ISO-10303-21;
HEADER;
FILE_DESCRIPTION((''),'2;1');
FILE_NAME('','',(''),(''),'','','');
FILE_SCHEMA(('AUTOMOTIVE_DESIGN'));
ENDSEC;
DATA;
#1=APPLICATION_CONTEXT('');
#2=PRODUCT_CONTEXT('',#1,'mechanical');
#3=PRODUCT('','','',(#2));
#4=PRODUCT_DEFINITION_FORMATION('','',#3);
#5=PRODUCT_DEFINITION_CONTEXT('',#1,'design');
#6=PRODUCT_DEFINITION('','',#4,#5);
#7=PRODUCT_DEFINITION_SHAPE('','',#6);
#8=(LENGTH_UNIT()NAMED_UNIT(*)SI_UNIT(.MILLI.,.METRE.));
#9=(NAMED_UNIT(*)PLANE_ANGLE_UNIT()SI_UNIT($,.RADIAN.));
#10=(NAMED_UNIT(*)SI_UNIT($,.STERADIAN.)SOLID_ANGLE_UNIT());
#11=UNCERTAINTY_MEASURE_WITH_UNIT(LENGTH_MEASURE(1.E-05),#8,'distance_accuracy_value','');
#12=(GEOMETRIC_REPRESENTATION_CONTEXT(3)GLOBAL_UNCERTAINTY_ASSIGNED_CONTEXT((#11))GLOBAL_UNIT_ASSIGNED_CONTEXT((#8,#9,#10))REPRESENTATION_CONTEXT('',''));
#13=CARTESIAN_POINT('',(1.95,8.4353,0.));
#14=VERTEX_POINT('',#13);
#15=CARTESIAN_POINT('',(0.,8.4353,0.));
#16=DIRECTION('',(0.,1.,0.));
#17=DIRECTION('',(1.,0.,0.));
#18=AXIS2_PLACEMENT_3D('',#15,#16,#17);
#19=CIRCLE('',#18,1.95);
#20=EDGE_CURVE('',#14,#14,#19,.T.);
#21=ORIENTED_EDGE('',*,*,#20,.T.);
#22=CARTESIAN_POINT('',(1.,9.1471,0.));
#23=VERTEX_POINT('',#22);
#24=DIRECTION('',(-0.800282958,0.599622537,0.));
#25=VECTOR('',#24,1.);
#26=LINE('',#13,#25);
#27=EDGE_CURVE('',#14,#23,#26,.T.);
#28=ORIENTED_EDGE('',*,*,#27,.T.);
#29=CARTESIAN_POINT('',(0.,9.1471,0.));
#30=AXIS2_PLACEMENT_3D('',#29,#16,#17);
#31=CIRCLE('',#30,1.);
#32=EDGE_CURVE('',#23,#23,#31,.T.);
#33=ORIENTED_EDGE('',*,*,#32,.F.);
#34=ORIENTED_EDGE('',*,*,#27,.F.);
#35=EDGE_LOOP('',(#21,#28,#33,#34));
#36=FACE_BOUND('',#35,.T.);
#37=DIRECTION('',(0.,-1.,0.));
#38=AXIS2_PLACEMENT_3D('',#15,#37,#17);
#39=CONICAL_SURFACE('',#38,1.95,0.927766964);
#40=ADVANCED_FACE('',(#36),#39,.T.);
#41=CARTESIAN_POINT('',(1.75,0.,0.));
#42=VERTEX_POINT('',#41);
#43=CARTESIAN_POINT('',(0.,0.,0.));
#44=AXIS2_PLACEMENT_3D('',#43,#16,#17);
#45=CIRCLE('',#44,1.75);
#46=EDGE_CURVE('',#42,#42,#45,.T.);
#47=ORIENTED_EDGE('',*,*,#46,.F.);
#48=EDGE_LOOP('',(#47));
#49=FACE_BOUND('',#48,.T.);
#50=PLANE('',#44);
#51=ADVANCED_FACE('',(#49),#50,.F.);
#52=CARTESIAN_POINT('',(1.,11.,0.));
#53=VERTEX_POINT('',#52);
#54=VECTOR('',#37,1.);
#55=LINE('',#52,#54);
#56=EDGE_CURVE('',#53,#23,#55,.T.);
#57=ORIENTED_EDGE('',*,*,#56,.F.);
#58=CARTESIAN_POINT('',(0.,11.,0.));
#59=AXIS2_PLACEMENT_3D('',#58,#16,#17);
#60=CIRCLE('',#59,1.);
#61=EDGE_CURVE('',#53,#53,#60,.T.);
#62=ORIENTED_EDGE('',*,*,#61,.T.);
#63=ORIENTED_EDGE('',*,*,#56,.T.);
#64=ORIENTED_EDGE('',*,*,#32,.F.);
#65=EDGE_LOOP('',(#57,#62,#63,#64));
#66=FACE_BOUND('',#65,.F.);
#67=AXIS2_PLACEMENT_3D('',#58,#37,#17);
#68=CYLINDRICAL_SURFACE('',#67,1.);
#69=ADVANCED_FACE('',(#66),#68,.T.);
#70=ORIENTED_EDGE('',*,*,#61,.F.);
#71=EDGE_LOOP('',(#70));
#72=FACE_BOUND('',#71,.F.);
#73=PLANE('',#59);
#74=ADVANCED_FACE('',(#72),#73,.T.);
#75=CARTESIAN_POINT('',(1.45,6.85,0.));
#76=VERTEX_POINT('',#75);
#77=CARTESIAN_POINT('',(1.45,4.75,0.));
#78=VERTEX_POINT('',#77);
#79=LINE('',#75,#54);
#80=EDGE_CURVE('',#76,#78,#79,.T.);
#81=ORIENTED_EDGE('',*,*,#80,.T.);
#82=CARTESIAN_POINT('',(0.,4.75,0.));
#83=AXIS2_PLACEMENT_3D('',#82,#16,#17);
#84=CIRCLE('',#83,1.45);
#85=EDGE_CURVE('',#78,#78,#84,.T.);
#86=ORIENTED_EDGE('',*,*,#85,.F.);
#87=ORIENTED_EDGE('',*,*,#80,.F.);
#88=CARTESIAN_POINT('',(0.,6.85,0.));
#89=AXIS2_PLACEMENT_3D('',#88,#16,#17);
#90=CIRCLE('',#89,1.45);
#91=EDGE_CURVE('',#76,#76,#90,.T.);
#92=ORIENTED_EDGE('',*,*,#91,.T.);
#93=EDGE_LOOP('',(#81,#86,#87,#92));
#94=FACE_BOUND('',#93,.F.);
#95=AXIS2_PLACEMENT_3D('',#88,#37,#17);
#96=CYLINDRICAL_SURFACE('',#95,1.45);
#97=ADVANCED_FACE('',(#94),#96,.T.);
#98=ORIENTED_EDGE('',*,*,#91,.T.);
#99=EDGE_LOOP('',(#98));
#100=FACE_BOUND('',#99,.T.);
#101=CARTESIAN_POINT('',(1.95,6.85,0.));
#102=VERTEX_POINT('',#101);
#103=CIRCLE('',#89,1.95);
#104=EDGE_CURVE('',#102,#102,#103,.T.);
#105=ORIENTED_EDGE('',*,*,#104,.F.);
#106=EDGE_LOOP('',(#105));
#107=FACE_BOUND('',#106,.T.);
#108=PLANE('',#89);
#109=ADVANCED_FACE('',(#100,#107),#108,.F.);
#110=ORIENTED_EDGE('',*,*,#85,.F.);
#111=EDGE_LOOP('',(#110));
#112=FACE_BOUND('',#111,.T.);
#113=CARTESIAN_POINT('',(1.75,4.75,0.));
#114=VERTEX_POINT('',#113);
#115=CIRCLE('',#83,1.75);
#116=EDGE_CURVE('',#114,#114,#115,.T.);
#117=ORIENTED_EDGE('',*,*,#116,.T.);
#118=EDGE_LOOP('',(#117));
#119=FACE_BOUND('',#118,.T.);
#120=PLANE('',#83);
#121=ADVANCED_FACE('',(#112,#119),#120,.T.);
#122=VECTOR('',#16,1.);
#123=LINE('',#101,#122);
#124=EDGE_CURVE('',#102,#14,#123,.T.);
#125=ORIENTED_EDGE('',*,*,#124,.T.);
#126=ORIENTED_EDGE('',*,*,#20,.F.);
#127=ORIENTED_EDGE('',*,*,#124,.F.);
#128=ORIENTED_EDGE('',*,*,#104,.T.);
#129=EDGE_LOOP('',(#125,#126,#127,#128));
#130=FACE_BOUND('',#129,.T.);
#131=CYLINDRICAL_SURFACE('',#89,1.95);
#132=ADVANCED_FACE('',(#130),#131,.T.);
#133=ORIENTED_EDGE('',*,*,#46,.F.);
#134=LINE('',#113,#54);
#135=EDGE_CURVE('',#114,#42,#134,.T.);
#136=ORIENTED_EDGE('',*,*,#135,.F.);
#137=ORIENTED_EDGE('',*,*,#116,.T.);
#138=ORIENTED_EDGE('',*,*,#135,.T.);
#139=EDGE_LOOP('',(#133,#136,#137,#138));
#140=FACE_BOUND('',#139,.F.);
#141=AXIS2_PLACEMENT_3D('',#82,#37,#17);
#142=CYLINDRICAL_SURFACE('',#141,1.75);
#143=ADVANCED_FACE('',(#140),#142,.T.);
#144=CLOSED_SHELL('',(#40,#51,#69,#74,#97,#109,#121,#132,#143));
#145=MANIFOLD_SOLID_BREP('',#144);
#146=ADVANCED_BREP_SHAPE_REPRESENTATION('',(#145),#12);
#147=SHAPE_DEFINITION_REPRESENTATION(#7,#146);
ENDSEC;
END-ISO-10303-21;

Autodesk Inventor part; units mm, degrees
ref_plane "YZ Plane" through (0, 0, 0) normal (1, 0, 0) x (0, 1, 0)
ref_plane "XZ Plane" through (0, 0, 0) normal (0, 1, 0) x (-1, 0, 0)
ref_plane "XY Plane" through (0, 0, 0) normal (0, 0, 1) x (1, 0, 0)
sketch "Esboço1" plane through (0, 0, 0) normal (0, 0, 1) x (1, 0, 0)
  line L0 (0, 0) -> (0, 11)
  line L1 (0, 5) -> (-10.2862, 5) construction
  line L2 (0, 9.05) -> (6.4587, 9.05) construction
  line L3 (3.2294, 11) -> (3.2294, 8.5) construction
  line L4 (1.95, 8.4353) -> (1, 9.1471)
  line L5 (1.95, 6.85) -> (1.95, 8.4353)
  line L6 (1.45, 6.85) -> (1.95, 6.85)
  line L7 (1.45, 6.85) -> (1.45, 4.75)
  line L8 (0, 4.75) -> (6.1218, 4.75) construction
  line L9 (1.75, 4.75) -> (1.75, 0)
  line L10 (1.75, 4.75) -> (1.45, 4.75)
  line L11 (0, 11) -> (1, 11)
  line L12 (1, 11) -> (1, 9.1471)
  line L13 (0, 0) -> (1.75, 0)
  point P0 (0, 0)
  dimension "d17" = 1
  dimension "d24" = 1.95
  dimension "d25" = 1.75
  dimension "d26" = 2.1
  dimension "d27" = 1.45
revolve "Revolução1" add sketch "Esboço1" angle 360 about axis through (0, 0, 0) along (0, 1, 0)
properties part number "travaInternaRoda"
